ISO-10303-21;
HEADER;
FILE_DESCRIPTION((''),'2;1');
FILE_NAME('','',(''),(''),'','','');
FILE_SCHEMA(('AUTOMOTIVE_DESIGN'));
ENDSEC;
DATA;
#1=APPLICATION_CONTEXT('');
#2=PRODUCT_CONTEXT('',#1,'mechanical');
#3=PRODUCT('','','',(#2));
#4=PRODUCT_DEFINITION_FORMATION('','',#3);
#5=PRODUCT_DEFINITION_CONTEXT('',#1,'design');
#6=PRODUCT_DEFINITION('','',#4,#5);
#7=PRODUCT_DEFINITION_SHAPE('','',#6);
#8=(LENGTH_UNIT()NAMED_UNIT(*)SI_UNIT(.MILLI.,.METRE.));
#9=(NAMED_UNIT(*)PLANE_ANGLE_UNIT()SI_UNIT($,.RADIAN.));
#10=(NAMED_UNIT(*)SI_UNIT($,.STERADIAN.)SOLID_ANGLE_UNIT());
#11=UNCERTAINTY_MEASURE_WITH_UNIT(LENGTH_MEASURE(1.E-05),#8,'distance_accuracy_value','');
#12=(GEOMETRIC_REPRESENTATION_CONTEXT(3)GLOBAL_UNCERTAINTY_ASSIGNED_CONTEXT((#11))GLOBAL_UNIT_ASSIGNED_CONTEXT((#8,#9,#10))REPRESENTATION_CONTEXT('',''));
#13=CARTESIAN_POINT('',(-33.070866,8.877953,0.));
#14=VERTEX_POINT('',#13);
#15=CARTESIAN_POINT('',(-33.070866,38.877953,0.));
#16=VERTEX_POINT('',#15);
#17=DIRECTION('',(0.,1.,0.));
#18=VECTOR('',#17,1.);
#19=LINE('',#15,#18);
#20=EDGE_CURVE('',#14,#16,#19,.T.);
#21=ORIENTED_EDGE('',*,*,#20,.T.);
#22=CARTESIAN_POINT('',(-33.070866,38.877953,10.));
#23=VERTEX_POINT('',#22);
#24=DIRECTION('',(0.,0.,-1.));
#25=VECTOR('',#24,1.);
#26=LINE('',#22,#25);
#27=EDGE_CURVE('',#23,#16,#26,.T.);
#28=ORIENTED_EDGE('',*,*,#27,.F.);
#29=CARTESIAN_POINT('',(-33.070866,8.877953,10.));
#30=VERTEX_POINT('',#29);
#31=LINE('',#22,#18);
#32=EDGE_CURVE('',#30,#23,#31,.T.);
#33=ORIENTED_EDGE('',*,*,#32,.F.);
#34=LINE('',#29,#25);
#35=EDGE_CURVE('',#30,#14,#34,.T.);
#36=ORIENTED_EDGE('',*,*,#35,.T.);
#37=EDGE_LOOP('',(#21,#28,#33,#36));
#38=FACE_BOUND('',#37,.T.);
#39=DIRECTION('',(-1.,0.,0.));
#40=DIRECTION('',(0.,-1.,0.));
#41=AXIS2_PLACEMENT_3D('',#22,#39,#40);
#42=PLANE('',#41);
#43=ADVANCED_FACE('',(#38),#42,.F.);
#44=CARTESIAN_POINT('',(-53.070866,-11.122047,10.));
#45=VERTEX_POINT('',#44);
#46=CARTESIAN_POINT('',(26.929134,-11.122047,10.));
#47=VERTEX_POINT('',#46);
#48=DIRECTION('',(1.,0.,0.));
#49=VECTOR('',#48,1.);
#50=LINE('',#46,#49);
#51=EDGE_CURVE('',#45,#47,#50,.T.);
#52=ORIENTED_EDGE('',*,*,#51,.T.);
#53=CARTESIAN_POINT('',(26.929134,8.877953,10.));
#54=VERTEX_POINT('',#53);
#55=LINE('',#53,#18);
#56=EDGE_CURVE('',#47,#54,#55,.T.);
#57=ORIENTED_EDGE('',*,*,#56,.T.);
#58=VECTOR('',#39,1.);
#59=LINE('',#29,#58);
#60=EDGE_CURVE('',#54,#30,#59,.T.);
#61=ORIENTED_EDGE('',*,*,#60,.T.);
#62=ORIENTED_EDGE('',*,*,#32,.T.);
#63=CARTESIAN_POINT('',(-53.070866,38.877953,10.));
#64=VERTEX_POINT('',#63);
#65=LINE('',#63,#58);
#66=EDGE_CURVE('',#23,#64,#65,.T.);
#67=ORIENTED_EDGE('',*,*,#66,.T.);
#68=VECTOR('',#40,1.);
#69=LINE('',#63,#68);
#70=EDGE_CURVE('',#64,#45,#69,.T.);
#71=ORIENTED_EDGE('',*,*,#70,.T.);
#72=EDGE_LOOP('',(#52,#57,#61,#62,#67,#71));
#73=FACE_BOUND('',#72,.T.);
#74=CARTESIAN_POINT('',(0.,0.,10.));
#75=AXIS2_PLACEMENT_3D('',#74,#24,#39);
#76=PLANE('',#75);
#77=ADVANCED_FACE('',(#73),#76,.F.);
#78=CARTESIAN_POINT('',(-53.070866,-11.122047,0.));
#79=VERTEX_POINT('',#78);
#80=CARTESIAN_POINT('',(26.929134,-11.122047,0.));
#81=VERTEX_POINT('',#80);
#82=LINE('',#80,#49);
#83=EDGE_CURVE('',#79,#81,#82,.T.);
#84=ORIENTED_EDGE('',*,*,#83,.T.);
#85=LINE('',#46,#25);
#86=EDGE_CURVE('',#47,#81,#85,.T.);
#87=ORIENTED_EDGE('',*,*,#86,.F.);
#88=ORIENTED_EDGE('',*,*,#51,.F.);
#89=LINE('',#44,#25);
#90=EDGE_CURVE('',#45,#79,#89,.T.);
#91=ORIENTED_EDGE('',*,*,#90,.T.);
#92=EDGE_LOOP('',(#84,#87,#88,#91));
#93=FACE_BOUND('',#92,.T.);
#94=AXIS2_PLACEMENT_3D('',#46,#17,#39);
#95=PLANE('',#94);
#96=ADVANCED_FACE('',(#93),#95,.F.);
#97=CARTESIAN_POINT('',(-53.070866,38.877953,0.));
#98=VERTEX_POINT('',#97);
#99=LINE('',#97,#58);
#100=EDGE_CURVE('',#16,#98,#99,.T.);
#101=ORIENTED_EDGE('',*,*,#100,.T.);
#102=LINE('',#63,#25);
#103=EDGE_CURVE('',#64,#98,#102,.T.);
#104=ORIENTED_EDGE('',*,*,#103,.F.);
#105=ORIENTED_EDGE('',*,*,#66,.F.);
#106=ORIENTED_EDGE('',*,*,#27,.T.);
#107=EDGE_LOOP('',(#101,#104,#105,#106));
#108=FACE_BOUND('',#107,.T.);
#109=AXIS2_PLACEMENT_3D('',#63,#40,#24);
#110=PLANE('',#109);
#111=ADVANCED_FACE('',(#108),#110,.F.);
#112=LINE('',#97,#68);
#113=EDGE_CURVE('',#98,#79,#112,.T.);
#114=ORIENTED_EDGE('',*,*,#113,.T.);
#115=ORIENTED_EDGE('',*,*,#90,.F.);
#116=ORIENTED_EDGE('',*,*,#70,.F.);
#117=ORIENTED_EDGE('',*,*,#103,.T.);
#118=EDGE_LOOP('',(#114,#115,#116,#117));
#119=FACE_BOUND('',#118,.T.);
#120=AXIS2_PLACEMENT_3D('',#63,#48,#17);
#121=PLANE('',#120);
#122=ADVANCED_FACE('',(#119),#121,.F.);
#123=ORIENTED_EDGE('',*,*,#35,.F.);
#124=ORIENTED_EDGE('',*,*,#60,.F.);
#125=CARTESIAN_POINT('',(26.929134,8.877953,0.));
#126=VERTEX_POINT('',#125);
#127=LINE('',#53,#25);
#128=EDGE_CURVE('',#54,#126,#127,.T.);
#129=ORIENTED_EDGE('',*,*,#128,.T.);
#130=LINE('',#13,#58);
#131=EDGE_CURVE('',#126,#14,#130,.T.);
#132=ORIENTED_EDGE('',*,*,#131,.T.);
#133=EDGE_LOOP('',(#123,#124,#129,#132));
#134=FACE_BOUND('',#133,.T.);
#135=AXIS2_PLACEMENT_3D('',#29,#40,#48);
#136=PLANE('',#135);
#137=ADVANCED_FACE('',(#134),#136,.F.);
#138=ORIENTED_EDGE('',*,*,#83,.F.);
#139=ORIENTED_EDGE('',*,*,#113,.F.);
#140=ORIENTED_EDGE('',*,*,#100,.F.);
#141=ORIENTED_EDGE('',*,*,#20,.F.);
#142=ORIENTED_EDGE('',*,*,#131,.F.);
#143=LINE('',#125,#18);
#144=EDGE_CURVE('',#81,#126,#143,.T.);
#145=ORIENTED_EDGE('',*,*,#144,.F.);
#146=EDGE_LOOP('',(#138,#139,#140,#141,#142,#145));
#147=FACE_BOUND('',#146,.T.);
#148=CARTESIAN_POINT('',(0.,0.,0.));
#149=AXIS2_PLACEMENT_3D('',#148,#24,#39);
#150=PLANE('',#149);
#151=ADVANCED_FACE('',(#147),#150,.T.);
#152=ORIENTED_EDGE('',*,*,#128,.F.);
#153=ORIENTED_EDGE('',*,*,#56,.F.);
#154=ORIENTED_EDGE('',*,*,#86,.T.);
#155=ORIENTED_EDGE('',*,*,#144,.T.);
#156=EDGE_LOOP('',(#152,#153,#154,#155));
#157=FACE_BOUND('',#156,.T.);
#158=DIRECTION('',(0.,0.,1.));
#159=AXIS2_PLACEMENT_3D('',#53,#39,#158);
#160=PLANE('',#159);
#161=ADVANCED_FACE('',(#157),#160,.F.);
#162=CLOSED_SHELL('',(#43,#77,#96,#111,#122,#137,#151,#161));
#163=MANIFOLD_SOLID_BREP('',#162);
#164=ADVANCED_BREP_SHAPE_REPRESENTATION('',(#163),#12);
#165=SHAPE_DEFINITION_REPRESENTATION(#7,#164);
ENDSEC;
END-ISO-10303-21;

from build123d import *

# Parameters (mm, degrees)
BOSS_EXTRUDE1_DEPTH = 10


with BuildPart() as part:
    # Sketch1 → Boss-Extrude1 (new body)
    with BuildSketch(Plane.XY):
        Polygon((-53.070866142, 38.877952756), (-53.070866142, -11.122047244), (26.929133858, -11.122047244), (26.929133858, 8.877952756), (-33.070866142, 8.877952756), (-33.070866142, 38.877952756), align=None)
    extrude(amount=BOSS_EXTRUDE1_DEPTH)


solid = part.part
